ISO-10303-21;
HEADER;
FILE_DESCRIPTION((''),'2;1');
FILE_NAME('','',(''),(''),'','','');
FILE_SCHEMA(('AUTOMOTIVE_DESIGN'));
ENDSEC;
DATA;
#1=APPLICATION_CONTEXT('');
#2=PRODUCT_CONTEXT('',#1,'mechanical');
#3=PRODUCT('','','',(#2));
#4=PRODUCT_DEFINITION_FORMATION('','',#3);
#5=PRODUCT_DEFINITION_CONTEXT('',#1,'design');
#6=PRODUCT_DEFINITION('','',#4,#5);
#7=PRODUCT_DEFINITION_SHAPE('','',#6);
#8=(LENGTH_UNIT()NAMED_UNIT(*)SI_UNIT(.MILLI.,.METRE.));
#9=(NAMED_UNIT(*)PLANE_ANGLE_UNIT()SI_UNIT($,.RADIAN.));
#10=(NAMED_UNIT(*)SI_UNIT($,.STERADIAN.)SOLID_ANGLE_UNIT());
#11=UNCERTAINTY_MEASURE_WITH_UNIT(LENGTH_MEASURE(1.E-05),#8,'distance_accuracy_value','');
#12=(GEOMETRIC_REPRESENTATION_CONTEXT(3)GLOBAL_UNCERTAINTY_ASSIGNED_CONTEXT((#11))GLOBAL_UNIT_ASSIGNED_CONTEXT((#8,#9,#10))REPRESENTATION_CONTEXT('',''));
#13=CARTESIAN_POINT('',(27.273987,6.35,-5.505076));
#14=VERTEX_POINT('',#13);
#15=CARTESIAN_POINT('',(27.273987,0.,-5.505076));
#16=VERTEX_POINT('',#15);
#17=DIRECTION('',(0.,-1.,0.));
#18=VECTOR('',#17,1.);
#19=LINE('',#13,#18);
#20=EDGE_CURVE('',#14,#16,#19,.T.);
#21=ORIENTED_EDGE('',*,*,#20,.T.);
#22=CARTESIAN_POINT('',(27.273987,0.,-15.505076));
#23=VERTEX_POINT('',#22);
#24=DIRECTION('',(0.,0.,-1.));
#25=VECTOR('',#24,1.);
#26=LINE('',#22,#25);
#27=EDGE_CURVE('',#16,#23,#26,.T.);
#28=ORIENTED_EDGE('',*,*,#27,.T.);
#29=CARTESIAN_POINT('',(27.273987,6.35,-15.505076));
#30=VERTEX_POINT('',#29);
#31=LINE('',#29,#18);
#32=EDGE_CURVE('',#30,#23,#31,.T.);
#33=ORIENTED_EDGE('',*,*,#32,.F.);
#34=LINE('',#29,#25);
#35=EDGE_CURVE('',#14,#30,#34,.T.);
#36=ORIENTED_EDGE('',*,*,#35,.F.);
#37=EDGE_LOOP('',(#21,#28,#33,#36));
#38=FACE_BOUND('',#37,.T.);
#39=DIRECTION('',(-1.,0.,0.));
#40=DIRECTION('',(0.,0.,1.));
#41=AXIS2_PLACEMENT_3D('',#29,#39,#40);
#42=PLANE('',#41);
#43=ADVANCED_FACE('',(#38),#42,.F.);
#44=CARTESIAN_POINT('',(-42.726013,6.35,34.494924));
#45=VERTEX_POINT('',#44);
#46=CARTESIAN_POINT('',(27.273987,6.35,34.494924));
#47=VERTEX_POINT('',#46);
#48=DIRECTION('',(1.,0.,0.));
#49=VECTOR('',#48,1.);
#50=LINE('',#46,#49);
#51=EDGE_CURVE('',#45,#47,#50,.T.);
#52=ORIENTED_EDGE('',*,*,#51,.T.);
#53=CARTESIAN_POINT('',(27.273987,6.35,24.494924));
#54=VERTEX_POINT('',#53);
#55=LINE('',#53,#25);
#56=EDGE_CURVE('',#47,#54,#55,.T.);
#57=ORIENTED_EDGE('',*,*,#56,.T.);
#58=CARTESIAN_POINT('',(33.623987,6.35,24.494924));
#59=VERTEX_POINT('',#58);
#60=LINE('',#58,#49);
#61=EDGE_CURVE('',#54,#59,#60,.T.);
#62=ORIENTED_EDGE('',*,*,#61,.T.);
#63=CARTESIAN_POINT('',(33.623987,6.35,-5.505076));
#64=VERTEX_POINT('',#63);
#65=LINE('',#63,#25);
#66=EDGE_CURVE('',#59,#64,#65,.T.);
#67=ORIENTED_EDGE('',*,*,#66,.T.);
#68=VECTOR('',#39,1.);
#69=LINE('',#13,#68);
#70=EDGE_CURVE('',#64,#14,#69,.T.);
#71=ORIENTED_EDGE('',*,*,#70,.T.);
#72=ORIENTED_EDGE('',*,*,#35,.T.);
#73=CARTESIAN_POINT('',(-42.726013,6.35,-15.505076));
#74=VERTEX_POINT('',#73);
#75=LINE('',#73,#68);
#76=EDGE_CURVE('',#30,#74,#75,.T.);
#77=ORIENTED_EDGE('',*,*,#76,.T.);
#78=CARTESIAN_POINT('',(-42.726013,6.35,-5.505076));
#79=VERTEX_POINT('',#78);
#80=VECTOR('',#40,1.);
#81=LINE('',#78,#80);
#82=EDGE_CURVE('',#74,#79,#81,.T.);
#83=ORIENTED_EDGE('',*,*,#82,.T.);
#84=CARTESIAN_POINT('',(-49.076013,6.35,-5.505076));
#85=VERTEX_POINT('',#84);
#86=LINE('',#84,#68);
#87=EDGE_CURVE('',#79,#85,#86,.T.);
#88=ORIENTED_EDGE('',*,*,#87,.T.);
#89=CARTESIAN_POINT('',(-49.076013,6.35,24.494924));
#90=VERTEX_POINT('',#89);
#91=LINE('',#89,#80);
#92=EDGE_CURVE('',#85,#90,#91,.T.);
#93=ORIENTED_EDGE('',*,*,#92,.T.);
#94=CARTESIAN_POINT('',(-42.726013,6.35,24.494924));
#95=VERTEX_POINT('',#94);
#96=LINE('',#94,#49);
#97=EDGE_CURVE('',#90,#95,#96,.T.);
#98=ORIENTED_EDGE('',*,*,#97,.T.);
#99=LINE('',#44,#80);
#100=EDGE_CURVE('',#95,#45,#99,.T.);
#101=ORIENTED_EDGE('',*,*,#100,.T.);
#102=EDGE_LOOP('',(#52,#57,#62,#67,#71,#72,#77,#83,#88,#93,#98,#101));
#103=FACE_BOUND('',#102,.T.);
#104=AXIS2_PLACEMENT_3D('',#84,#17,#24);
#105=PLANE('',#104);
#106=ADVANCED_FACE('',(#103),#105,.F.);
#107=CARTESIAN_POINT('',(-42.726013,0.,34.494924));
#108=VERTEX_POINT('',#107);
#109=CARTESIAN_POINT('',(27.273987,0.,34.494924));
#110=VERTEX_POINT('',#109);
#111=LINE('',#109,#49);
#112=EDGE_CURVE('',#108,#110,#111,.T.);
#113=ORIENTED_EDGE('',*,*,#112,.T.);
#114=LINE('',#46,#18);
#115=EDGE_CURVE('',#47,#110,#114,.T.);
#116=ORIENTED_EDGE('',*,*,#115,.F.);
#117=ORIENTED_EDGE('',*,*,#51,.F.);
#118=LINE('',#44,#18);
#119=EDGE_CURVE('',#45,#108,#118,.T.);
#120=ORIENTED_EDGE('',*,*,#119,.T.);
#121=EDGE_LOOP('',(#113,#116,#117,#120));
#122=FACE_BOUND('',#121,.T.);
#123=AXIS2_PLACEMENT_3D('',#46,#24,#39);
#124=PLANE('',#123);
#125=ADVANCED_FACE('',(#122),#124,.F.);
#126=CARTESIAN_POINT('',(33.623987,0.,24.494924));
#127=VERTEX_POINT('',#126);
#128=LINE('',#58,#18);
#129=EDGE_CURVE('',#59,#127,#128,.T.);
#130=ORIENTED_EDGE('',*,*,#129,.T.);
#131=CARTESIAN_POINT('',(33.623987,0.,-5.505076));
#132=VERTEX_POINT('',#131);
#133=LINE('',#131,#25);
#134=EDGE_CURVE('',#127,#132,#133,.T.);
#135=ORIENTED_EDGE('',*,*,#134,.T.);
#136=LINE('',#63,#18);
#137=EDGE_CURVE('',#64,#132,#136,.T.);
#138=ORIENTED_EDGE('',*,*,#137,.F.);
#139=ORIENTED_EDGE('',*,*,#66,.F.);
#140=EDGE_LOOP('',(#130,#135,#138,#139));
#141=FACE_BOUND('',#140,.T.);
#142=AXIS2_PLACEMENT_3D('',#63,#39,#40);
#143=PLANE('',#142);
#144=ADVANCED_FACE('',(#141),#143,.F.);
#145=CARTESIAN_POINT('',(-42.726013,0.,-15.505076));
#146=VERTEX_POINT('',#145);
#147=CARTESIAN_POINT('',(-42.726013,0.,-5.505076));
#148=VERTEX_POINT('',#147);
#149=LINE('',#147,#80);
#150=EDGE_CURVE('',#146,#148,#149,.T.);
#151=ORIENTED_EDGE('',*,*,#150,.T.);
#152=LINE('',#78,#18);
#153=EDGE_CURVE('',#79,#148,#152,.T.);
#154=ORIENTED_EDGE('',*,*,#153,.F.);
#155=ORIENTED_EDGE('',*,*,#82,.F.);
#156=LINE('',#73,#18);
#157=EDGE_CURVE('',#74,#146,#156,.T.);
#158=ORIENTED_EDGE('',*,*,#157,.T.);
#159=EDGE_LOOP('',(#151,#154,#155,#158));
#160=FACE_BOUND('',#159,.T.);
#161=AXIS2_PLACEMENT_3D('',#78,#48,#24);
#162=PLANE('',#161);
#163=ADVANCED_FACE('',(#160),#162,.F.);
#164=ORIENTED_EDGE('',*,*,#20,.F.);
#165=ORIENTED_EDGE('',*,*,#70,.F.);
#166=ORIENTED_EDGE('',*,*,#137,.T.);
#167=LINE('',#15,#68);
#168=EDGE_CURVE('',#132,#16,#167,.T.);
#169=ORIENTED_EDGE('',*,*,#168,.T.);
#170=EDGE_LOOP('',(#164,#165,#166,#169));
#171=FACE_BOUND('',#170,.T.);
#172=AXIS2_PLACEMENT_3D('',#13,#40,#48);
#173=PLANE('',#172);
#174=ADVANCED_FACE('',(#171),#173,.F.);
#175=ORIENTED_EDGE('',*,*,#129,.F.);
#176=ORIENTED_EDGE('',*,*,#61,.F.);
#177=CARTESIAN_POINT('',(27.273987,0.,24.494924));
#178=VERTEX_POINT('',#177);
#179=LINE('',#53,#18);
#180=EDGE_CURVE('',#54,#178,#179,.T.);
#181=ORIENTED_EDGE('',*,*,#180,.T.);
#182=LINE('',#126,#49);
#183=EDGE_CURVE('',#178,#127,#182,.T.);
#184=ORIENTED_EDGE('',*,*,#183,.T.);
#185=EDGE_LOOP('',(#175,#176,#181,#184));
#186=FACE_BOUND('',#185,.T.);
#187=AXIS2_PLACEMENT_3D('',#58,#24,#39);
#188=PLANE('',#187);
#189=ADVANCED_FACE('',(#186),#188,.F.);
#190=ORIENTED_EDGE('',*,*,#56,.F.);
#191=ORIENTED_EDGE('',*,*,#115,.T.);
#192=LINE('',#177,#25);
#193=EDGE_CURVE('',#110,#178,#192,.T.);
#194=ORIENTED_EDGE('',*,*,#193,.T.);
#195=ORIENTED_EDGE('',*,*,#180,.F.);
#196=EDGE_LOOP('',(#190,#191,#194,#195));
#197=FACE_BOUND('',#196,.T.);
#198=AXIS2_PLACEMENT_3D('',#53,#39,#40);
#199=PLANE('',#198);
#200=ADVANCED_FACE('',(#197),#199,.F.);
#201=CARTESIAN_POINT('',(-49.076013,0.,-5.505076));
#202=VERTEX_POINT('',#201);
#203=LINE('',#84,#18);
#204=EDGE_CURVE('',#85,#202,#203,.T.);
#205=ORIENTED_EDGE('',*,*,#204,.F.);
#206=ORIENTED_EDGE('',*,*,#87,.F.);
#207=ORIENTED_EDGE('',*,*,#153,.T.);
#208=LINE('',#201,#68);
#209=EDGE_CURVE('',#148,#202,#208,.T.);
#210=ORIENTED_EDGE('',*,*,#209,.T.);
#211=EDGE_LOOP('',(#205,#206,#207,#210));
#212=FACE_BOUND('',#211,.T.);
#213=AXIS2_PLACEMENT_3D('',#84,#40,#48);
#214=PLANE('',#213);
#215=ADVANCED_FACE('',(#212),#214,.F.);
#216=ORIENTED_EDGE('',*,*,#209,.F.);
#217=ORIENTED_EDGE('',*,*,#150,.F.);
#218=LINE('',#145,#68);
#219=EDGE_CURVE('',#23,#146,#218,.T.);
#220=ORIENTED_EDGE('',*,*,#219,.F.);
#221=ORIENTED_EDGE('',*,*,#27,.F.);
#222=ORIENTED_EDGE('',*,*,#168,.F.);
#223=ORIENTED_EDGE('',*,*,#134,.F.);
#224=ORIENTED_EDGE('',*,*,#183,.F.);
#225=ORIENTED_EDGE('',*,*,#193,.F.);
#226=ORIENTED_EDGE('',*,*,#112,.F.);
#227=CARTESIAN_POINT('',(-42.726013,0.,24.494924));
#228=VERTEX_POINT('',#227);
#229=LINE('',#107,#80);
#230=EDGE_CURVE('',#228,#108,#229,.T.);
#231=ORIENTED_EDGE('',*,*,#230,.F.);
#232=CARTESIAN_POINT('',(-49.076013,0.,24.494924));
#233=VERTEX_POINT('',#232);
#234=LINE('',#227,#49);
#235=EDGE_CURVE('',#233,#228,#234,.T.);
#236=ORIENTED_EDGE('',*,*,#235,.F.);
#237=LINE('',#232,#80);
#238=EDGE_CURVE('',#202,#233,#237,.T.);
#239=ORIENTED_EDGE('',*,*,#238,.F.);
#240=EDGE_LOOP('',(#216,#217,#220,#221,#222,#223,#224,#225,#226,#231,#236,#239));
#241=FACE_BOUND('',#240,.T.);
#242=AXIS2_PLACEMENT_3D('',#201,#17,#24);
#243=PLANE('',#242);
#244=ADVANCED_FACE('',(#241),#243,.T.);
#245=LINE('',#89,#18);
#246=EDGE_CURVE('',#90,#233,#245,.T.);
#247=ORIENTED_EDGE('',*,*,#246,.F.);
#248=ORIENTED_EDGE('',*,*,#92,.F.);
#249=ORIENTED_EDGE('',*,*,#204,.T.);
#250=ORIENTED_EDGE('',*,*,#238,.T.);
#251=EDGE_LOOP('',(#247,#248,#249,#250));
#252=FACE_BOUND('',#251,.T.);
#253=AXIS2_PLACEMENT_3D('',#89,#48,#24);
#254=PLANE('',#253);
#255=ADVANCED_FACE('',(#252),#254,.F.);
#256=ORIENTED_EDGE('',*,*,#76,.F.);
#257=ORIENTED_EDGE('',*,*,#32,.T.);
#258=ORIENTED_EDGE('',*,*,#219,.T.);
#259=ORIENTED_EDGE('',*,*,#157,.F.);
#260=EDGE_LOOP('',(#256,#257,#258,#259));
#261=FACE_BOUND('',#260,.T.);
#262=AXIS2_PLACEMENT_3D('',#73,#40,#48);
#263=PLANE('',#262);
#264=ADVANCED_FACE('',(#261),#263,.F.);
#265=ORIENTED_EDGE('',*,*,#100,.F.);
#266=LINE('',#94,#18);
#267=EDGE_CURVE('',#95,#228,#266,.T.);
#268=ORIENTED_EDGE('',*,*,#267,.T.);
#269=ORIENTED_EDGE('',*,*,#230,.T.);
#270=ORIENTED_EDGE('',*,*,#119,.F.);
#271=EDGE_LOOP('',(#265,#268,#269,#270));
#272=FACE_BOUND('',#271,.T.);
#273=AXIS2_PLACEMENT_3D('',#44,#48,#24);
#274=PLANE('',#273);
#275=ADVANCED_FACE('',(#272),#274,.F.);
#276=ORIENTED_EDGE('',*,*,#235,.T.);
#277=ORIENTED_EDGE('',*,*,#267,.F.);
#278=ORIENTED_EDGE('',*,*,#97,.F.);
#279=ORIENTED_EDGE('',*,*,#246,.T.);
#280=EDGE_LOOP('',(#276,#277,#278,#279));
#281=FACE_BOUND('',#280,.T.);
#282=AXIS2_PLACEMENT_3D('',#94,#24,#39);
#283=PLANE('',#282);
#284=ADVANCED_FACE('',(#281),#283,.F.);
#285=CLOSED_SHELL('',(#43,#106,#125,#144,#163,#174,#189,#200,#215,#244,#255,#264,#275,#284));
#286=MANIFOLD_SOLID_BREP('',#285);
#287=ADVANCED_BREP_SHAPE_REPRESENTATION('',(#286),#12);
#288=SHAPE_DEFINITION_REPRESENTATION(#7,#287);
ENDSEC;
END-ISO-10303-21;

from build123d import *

# Parameters (mm, degrees)
BODY_DEPTH = 6.35


with BuildPart() as part:
    # Sketch1 → Body (new body)
    with BuildSketch(Plane(origin=(0, 0, 0), x_dir=(1, 0, 0), z_dir=(0, 1, 0))):
        Polygon((-49.076012748, 5.505075896), (-42.726012748, 5.505075896), (-42.726012748, 15.505075896), (27.273987252, 15.505075896), (27.273987252, 5.505075896), (33.623987252, 5.505075896), (33.623987252, -24.494924104), (27.273987252, -24.494924104), (27.273987252, -34.494924104), (-42.726012748, -34.494924104), (-42.726012748, -24.494924104), (-49.076012748, -24.494924104), align=None)
    extrude(amount=BODY_DEPTH)


solid = part.part
